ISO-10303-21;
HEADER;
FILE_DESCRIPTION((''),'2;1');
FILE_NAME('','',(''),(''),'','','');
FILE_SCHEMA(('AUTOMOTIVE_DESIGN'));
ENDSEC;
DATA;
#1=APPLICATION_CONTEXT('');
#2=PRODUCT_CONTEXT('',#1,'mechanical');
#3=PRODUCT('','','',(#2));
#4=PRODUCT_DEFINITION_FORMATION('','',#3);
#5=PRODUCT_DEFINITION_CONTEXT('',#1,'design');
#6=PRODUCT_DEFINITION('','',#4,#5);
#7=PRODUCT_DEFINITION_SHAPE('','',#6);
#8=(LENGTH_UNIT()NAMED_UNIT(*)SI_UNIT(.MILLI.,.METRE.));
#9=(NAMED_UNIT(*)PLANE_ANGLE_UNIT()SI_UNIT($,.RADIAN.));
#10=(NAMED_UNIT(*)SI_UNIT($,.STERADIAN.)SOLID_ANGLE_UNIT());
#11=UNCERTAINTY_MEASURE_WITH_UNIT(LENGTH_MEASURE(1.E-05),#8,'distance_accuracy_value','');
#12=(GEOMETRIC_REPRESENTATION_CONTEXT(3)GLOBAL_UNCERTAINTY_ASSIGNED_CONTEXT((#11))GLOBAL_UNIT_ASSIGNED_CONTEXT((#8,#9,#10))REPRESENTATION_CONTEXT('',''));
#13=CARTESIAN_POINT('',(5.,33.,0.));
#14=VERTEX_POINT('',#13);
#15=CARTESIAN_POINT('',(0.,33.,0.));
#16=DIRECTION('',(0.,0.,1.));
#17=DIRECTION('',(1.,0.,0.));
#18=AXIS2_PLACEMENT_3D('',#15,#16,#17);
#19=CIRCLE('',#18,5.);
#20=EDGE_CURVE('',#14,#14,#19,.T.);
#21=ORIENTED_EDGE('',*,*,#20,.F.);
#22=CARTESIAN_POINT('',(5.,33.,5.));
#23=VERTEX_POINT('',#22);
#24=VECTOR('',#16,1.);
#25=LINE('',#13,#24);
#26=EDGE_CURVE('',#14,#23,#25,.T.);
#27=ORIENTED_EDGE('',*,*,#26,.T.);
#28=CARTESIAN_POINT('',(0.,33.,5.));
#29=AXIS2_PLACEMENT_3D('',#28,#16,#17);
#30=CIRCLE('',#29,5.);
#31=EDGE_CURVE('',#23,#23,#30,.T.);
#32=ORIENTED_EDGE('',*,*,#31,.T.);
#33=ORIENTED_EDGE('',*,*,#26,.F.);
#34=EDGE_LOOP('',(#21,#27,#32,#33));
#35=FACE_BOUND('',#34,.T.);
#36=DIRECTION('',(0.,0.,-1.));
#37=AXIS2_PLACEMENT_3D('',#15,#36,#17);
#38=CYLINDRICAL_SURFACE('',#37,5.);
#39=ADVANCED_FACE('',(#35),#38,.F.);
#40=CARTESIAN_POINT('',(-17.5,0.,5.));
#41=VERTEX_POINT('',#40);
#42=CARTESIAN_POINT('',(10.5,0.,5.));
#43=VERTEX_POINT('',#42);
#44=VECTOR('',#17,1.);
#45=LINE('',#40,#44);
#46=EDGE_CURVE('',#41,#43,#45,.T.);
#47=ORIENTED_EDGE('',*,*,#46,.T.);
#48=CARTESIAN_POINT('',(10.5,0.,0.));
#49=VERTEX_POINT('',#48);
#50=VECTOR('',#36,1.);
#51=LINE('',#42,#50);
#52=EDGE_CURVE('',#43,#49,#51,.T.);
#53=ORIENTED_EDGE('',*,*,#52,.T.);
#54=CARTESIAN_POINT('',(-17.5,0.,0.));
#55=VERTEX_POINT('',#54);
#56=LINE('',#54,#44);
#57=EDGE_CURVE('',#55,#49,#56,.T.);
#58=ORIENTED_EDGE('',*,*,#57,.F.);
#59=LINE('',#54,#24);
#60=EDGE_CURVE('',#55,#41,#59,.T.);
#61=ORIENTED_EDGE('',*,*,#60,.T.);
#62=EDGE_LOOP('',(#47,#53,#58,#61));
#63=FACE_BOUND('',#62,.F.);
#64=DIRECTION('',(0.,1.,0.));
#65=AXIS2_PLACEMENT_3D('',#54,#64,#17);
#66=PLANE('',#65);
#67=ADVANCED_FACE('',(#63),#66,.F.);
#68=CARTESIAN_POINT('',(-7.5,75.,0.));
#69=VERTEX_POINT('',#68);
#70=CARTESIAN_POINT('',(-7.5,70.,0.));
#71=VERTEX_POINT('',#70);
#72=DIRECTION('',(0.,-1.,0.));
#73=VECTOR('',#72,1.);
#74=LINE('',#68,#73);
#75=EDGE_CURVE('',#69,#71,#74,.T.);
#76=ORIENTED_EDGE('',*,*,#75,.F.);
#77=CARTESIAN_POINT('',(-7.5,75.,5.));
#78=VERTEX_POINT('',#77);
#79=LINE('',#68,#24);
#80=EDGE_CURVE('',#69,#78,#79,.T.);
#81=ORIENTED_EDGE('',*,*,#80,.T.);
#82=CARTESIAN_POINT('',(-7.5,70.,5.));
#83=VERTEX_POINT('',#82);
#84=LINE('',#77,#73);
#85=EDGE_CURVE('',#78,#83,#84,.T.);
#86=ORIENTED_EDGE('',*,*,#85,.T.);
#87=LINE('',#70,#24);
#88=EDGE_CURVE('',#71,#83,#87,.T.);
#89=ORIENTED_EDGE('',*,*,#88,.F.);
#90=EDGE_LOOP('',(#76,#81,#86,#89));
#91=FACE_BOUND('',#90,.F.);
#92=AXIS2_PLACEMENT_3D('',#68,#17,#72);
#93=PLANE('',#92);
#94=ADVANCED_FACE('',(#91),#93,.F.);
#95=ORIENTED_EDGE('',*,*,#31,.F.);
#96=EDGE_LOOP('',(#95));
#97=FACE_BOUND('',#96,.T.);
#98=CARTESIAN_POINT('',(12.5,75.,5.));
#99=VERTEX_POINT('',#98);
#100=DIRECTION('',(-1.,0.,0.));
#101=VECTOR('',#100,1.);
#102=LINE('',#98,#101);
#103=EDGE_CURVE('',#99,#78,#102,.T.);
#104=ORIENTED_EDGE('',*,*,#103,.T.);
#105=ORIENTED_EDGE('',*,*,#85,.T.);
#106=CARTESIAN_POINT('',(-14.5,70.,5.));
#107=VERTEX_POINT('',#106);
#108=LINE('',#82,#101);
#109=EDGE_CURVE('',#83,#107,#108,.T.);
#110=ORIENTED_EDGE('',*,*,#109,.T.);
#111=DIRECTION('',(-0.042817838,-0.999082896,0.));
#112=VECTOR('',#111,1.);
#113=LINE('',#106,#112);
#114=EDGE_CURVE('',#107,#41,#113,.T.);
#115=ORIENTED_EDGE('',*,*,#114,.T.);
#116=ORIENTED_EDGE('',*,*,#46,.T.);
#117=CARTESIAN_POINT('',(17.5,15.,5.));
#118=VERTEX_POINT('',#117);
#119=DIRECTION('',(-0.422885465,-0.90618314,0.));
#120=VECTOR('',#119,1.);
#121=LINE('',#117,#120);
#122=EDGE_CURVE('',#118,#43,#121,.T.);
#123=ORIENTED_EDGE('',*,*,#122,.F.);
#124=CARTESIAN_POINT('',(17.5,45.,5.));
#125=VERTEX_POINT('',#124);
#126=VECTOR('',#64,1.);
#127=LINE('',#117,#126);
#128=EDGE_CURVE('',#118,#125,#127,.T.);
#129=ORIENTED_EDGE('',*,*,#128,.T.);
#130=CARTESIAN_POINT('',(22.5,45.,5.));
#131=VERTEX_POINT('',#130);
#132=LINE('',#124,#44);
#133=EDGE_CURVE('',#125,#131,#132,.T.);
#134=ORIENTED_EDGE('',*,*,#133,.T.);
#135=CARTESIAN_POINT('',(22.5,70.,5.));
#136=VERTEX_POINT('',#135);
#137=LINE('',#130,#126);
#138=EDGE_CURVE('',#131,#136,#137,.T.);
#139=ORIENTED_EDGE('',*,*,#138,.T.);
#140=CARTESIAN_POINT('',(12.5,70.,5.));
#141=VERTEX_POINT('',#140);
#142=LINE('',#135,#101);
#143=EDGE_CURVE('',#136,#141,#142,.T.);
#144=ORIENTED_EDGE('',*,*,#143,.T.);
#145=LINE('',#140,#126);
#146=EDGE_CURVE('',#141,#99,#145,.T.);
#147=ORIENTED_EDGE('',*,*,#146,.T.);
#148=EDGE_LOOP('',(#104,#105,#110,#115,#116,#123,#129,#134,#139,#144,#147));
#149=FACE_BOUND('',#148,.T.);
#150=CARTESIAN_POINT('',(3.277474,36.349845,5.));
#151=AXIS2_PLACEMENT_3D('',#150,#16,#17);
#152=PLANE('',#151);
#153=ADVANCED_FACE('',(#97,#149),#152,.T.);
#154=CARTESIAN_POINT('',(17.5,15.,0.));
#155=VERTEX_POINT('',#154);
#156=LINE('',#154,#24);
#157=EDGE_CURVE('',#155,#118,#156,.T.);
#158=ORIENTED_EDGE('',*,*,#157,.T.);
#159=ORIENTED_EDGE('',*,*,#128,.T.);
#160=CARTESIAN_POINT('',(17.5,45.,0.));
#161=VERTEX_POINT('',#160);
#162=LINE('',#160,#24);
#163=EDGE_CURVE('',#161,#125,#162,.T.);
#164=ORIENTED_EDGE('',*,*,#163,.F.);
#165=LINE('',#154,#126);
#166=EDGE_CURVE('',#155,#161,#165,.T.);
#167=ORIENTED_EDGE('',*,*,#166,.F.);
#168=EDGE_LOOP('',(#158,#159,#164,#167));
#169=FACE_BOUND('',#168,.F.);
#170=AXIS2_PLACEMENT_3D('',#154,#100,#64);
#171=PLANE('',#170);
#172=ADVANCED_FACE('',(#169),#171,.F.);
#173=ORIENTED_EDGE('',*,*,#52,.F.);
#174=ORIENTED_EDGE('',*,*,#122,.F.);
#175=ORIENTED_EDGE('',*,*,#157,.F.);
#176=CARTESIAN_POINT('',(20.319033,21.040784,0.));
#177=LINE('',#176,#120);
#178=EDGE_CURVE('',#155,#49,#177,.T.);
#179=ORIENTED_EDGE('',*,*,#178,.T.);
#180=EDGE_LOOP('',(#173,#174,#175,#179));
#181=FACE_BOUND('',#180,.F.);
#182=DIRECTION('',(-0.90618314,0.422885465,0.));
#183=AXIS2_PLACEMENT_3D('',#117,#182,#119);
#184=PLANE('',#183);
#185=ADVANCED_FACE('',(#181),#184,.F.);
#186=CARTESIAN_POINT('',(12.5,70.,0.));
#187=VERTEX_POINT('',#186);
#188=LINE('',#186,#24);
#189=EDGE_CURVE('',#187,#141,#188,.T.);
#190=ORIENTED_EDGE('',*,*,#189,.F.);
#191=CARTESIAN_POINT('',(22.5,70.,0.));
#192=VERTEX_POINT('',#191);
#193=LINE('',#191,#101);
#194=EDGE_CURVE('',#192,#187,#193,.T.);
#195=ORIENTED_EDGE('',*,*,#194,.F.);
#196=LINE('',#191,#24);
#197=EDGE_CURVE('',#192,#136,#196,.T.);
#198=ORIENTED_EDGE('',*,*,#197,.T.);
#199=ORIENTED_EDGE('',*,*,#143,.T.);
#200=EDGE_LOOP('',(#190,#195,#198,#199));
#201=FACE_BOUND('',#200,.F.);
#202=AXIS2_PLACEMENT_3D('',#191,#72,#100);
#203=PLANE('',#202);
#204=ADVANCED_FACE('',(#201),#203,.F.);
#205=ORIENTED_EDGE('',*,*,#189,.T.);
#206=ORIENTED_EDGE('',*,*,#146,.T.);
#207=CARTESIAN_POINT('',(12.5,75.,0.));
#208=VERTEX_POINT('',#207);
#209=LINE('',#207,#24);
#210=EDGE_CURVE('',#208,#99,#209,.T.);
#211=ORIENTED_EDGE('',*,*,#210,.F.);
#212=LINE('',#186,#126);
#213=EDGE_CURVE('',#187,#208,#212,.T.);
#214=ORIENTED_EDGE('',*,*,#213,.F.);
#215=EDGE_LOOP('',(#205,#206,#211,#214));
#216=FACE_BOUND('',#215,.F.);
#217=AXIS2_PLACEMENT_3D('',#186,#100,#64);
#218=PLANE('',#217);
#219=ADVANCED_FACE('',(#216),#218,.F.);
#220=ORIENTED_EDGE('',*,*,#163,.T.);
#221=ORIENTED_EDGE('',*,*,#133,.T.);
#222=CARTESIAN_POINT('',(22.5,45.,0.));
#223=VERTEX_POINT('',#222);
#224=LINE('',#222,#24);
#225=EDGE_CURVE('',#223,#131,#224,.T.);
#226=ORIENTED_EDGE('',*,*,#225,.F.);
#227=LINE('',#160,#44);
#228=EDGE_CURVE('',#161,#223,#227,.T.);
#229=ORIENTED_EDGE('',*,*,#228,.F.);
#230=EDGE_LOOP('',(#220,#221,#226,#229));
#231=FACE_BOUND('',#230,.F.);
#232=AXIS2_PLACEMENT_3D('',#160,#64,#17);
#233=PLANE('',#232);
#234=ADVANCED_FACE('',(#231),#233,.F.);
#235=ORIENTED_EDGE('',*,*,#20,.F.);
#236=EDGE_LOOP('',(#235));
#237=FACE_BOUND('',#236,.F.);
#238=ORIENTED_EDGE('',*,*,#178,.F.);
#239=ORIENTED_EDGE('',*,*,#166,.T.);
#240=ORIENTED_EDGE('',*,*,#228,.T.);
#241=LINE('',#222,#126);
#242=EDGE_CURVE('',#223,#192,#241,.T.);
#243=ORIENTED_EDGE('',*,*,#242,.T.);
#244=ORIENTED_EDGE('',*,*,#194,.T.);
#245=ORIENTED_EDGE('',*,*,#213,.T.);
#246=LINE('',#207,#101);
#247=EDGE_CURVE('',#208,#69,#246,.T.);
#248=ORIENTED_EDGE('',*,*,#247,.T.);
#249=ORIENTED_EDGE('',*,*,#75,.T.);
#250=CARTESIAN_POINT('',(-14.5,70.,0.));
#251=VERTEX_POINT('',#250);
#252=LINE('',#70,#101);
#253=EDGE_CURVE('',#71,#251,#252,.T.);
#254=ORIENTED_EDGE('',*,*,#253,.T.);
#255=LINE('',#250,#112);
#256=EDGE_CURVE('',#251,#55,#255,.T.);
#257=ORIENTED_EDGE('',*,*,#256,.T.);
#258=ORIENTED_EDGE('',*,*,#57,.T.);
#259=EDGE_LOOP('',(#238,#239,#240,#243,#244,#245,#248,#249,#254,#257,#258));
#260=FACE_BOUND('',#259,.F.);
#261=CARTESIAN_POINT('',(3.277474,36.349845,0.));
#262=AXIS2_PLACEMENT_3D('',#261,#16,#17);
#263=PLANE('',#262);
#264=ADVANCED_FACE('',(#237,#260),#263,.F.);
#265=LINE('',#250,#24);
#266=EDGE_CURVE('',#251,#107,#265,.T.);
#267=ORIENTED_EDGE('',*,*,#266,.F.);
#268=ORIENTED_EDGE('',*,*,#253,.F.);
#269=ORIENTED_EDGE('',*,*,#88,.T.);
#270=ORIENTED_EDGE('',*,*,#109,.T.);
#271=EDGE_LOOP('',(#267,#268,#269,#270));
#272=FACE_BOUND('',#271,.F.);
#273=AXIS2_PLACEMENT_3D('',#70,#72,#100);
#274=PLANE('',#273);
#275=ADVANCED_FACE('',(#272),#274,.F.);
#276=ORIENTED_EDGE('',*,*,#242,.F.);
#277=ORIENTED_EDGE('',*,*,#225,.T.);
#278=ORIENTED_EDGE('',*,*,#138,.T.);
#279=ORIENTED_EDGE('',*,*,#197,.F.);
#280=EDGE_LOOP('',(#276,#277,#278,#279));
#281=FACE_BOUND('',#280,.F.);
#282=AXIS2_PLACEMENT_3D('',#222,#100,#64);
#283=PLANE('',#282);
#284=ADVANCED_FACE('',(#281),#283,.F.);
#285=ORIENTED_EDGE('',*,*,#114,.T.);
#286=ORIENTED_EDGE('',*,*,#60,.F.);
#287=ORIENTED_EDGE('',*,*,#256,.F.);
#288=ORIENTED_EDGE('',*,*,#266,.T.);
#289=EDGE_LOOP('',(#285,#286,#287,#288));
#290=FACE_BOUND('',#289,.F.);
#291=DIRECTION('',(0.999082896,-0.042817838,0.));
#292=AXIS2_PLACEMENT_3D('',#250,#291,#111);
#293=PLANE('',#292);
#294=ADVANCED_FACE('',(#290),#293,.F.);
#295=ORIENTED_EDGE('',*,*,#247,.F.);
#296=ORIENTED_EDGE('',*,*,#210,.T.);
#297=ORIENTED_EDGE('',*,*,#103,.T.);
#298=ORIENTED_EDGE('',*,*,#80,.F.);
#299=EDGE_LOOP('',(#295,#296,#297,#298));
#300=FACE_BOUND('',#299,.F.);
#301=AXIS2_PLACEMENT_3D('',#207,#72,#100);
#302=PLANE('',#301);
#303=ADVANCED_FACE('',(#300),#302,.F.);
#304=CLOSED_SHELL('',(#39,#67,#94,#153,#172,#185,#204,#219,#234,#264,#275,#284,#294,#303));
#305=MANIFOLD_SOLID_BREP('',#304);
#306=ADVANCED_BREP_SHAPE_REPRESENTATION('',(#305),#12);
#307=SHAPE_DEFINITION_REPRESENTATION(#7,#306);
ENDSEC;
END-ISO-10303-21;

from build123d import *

# Parameters (mm, degrees)
F0_R     = 5
F1_DEPTH = 5
F3_DEPTH = 25


with BuildPart() as f1:
    # F0 (on Top) → F1 (new body)
    with BuildSketch(Plane.XY):
        Polygon((-7.5, 70), (-14.5, 70), (-17.5, 0), (22.5, 0), (22.5, 15), (17.5, 15), (17.5, 45), (22.5, 45), (22.5, 70), (12.5, 70), (12.5, 75), (-7.5, 75), align=None)
        with Locations((0, 33)):
            Circle(F0_R, mode=Mode.SUBTRACT)
    extrude(amount=F1_DEPTH)

    # F2 (on face) → F3 (cut)
    with BuildSketch(Plane.XY.offset(5)):
        Polygon((17.5, 15), (10.5, 0), (22.5, 0), (22.5, 15), align=None)
    extrude(amount=-F3_DEPTH, mode=Mode.SUBTRACT)


solid = f1.part
